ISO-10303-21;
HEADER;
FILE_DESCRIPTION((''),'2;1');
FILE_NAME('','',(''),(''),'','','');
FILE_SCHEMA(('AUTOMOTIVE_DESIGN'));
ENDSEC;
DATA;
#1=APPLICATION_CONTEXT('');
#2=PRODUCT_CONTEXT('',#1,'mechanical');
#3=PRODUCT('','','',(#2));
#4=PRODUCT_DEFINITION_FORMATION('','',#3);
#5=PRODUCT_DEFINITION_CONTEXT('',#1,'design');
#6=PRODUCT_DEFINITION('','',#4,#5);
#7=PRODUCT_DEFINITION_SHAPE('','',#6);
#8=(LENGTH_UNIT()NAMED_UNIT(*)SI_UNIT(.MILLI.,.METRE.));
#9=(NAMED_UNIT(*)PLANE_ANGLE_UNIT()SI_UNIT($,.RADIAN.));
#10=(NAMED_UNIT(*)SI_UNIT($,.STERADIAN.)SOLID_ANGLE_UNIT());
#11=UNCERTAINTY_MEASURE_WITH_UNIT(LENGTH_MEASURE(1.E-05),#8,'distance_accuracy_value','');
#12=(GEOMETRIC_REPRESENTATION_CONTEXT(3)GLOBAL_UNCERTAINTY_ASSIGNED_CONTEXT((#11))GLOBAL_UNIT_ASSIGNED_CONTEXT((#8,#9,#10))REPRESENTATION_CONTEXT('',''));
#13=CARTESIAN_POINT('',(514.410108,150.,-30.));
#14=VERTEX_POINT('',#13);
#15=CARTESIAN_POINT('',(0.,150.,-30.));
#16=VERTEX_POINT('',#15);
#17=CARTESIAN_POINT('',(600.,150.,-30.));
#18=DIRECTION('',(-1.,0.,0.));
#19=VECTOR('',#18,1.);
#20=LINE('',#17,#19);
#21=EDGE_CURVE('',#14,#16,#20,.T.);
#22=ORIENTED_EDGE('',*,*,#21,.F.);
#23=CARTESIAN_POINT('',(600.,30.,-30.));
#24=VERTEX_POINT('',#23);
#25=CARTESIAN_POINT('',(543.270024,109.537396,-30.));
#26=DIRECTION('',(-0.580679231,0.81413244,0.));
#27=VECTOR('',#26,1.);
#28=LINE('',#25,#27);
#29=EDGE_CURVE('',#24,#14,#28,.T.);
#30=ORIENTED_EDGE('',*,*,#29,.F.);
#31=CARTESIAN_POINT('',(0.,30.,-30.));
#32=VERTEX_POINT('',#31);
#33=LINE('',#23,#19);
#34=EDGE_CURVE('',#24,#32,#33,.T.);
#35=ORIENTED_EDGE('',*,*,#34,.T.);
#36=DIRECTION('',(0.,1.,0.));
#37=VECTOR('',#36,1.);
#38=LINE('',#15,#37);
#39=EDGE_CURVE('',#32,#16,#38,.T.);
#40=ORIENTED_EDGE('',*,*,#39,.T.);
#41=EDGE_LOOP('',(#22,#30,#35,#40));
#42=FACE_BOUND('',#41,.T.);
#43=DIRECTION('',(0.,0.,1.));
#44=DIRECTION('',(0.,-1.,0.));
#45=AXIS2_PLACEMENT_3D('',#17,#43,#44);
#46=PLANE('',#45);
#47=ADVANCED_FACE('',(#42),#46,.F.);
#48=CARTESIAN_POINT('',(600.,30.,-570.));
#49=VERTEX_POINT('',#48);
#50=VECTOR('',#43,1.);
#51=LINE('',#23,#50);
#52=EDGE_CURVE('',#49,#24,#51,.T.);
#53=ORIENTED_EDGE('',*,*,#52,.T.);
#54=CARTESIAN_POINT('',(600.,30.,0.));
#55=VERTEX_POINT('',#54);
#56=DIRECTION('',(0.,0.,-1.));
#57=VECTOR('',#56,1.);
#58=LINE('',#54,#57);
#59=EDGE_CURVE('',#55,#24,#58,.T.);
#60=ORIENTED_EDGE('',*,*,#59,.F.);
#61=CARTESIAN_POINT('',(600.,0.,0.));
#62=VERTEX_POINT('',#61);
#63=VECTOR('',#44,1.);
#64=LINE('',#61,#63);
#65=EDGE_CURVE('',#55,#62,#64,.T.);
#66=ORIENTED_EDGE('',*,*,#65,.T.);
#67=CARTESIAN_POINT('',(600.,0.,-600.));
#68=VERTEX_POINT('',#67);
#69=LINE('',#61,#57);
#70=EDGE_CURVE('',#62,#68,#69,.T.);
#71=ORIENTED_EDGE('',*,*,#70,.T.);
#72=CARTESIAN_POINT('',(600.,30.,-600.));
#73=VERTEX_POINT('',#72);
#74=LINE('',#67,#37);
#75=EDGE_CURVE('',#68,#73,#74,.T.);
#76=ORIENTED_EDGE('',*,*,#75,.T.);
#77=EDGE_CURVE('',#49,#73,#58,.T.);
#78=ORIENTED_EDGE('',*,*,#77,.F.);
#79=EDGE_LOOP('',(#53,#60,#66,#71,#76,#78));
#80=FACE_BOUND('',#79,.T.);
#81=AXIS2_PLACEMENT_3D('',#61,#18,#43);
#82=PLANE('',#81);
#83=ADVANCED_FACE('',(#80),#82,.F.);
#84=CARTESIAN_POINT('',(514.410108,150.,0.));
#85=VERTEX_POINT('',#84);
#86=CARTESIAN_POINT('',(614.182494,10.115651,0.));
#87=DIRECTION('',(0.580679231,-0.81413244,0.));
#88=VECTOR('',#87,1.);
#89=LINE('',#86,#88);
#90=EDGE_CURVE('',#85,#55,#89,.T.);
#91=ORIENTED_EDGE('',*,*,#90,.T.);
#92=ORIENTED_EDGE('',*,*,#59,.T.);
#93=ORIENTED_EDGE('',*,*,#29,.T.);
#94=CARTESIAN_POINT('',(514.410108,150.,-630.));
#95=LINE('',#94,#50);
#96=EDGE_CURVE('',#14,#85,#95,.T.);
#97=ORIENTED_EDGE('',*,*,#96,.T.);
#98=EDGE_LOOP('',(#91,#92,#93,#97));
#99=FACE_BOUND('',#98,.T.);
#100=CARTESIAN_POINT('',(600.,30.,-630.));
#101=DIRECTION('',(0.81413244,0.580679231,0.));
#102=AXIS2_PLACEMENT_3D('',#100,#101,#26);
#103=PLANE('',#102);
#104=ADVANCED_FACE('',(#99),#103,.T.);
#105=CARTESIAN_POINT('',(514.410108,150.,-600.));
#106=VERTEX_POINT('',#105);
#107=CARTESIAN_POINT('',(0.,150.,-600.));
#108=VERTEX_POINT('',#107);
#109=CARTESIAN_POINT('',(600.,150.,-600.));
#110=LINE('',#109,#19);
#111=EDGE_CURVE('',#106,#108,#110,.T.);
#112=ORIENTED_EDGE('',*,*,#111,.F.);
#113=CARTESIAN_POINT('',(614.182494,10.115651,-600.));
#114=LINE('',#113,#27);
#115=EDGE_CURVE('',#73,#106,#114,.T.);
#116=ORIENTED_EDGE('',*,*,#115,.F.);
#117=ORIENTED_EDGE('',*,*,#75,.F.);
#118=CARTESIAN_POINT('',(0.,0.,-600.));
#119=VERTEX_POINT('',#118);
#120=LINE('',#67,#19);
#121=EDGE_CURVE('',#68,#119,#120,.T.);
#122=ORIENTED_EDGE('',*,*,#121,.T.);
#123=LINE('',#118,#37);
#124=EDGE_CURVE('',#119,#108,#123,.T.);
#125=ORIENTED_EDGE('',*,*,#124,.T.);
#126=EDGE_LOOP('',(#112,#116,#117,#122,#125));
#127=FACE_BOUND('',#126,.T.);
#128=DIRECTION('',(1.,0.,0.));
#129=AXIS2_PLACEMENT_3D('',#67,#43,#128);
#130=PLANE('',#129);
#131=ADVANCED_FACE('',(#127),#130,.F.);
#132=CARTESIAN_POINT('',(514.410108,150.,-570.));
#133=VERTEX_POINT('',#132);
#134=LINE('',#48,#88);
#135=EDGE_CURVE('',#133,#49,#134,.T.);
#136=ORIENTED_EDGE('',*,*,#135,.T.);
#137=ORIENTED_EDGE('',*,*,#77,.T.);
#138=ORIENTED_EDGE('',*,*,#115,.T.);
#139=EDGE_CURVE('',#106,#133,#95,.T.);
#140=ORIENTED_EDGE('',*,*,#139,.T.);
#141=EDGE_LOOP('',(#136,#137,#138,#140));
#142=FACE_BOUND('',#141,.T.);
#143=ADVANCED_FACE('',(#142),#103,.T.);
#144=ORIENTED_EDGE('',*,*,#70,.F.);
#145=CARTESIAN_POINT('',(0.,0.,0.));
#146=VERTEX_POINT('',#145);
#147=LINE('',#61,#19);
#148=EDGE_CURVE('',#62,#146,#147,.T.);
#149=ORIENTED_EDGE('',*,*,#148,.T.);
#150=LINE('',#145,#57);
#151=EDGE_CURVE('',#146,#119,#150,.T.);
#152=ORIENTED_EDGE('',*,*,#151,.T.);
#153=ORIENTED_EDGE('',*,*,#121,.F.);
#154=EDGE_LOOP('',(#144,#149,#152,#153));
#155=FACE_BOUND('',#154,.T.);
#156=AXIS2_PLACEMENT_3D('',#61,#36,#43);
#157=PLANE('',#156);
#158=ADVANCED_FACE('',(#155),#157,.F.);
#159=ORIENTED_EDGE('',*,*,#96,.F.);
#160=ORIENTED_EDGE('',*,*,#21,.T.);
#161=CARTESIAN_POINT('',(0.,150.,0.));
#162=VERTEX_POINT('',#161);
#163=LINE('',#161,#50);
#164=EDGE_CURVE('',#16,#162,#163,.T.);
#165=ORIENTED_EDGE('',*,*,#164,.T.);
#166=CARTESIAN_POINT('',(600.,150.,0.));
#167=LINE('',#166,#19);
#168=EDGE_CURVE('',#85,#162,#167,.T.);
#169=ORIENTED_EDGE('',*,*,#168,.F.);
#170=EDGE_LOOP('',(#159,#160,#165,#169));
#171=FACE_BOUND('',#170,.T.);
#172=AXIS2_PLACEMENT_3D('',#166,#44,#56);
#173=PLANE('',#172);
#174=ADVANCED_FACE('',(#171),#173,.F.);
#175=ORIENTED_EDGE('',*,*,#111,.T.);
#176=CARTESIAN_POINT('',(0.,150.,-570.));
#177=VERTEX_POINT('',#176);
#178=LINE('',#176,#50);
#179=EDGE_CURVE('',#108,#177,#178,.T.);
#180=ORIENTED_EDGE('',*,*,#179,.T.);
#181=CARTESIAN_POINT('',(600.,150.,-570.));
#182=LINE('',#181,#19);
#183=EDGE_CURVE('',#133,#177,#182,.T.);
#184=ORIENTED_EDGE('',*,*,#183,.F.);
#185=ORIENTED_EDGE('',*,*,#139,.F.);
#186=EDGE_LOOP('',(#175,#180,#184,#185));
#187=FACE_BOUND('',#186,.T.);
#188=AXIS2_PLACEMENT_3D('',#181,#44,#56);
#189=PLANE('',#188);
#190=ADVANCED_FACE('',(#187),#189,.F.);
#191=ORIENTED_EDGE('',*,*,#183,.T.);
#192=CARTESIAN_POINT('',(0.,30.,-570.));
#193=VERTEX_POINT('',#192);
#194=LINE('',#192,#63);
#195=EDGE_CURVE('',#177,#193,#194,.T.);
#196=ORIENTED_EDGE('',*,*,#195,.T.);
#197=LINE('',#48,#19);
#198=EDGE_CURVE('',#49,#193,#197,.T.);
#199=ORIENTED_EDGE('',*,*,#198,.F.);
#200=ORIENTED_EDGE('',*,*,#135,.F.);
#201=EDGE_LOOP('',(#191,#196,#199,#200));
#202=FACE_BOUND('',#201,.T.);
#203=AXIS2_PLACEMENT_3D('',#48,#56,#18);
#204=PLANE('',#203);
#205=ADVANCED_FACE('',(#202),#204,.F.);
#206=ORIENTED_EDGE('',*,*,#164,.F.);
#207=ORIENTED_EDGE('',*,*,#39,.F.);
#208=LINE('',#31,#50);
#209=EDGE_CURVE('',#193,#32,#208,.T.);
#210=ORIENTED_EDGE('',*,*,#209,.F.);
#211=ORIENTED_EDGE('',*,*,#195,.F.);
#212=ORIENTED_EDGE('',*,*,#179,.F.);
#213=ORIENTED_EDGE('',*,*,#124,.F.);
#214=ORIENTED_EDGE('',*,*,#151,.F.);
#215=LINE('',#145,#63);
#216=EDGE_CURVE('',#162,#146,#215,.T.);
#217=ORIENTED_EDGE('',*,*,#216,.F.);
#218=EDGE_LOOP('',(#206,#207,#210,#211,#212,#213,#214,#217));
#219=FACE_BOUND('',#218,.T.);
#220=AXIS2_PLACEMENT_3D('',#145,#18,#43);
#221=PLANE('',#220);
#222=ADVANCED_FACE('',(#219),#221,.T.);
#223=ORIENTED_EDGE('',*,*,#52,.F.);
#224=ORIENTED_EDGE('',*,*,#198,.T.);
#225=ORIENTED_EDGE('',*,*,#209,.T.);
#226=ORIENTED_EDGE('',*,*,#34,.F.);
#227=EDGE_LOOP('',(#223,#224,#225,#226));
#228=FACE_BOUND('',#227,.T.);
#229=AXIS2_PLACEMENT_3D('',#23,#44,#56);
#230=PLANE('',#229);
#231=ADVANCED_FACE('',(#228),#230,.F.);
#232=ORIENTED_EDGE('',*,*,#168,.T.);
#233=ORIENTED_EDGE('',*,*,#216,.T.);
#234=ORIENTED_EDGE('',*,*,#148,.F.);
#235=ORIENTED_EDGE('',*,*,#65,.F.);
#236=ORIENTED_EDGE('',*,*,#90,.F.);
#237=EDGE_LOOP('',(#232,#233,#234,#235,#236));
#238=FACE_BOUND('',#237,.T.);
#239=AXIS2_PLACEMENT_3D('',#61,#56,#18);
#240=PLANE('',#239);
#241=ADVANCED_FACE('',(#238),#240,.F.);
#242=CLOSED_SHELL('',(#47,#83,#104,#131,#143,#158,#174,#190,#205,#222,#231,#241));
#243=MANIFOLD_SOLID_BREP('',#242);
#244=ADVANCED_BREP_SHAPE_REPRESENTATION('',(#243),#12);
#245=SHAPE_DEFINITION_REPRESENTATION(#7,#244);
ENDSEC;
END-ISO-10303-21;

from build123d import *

# Parameters (mm, degrees)
BOSS_EXTRUDE1_DEPTH     = 600
CUT_EXTRUDE1_DEPTH      = 600
CUT_EXTRUDE1_DEPTH_BACK = 600


with BuildPart() as part:
    # Sketch1 → Boss-Extrude1 (new body)
    with BuildSketch(Plane(origin=(0, 0, 0), x_dir=(0, 0, -1), z_dir=(1, 0, 0))):
        Polygon((30, 150), (30, 30), (570, 30), (570, 150), (600, 150), (600, 0), (0, 0), (0, 150), align=None)
    extrude(amount=BOSS_EXTRUDE1_DEPTH)

    # Sketch4 → Cut-Extrude1 (cut, two sides)
    with BuildSketch(Plane(origin=(0, 0, -30), x_dir=(-1, 0, 0), z_dir=(0, 0, -1))) as cut_extrude1_sk:
        Polygon((-600, 30), (-514.410107884, 150), (-600, 150), align=None)
    extrude(amount=CUT_EXTRUDE1_DEPTH, mode=Mode.SUBTRACT)
    extrude(cut_extrude1_sk.sketch, amount=-CUT_EXTRUDE1_DEPTH_BACK, mode=Mode.SUBTRACT)


solid = part.part
